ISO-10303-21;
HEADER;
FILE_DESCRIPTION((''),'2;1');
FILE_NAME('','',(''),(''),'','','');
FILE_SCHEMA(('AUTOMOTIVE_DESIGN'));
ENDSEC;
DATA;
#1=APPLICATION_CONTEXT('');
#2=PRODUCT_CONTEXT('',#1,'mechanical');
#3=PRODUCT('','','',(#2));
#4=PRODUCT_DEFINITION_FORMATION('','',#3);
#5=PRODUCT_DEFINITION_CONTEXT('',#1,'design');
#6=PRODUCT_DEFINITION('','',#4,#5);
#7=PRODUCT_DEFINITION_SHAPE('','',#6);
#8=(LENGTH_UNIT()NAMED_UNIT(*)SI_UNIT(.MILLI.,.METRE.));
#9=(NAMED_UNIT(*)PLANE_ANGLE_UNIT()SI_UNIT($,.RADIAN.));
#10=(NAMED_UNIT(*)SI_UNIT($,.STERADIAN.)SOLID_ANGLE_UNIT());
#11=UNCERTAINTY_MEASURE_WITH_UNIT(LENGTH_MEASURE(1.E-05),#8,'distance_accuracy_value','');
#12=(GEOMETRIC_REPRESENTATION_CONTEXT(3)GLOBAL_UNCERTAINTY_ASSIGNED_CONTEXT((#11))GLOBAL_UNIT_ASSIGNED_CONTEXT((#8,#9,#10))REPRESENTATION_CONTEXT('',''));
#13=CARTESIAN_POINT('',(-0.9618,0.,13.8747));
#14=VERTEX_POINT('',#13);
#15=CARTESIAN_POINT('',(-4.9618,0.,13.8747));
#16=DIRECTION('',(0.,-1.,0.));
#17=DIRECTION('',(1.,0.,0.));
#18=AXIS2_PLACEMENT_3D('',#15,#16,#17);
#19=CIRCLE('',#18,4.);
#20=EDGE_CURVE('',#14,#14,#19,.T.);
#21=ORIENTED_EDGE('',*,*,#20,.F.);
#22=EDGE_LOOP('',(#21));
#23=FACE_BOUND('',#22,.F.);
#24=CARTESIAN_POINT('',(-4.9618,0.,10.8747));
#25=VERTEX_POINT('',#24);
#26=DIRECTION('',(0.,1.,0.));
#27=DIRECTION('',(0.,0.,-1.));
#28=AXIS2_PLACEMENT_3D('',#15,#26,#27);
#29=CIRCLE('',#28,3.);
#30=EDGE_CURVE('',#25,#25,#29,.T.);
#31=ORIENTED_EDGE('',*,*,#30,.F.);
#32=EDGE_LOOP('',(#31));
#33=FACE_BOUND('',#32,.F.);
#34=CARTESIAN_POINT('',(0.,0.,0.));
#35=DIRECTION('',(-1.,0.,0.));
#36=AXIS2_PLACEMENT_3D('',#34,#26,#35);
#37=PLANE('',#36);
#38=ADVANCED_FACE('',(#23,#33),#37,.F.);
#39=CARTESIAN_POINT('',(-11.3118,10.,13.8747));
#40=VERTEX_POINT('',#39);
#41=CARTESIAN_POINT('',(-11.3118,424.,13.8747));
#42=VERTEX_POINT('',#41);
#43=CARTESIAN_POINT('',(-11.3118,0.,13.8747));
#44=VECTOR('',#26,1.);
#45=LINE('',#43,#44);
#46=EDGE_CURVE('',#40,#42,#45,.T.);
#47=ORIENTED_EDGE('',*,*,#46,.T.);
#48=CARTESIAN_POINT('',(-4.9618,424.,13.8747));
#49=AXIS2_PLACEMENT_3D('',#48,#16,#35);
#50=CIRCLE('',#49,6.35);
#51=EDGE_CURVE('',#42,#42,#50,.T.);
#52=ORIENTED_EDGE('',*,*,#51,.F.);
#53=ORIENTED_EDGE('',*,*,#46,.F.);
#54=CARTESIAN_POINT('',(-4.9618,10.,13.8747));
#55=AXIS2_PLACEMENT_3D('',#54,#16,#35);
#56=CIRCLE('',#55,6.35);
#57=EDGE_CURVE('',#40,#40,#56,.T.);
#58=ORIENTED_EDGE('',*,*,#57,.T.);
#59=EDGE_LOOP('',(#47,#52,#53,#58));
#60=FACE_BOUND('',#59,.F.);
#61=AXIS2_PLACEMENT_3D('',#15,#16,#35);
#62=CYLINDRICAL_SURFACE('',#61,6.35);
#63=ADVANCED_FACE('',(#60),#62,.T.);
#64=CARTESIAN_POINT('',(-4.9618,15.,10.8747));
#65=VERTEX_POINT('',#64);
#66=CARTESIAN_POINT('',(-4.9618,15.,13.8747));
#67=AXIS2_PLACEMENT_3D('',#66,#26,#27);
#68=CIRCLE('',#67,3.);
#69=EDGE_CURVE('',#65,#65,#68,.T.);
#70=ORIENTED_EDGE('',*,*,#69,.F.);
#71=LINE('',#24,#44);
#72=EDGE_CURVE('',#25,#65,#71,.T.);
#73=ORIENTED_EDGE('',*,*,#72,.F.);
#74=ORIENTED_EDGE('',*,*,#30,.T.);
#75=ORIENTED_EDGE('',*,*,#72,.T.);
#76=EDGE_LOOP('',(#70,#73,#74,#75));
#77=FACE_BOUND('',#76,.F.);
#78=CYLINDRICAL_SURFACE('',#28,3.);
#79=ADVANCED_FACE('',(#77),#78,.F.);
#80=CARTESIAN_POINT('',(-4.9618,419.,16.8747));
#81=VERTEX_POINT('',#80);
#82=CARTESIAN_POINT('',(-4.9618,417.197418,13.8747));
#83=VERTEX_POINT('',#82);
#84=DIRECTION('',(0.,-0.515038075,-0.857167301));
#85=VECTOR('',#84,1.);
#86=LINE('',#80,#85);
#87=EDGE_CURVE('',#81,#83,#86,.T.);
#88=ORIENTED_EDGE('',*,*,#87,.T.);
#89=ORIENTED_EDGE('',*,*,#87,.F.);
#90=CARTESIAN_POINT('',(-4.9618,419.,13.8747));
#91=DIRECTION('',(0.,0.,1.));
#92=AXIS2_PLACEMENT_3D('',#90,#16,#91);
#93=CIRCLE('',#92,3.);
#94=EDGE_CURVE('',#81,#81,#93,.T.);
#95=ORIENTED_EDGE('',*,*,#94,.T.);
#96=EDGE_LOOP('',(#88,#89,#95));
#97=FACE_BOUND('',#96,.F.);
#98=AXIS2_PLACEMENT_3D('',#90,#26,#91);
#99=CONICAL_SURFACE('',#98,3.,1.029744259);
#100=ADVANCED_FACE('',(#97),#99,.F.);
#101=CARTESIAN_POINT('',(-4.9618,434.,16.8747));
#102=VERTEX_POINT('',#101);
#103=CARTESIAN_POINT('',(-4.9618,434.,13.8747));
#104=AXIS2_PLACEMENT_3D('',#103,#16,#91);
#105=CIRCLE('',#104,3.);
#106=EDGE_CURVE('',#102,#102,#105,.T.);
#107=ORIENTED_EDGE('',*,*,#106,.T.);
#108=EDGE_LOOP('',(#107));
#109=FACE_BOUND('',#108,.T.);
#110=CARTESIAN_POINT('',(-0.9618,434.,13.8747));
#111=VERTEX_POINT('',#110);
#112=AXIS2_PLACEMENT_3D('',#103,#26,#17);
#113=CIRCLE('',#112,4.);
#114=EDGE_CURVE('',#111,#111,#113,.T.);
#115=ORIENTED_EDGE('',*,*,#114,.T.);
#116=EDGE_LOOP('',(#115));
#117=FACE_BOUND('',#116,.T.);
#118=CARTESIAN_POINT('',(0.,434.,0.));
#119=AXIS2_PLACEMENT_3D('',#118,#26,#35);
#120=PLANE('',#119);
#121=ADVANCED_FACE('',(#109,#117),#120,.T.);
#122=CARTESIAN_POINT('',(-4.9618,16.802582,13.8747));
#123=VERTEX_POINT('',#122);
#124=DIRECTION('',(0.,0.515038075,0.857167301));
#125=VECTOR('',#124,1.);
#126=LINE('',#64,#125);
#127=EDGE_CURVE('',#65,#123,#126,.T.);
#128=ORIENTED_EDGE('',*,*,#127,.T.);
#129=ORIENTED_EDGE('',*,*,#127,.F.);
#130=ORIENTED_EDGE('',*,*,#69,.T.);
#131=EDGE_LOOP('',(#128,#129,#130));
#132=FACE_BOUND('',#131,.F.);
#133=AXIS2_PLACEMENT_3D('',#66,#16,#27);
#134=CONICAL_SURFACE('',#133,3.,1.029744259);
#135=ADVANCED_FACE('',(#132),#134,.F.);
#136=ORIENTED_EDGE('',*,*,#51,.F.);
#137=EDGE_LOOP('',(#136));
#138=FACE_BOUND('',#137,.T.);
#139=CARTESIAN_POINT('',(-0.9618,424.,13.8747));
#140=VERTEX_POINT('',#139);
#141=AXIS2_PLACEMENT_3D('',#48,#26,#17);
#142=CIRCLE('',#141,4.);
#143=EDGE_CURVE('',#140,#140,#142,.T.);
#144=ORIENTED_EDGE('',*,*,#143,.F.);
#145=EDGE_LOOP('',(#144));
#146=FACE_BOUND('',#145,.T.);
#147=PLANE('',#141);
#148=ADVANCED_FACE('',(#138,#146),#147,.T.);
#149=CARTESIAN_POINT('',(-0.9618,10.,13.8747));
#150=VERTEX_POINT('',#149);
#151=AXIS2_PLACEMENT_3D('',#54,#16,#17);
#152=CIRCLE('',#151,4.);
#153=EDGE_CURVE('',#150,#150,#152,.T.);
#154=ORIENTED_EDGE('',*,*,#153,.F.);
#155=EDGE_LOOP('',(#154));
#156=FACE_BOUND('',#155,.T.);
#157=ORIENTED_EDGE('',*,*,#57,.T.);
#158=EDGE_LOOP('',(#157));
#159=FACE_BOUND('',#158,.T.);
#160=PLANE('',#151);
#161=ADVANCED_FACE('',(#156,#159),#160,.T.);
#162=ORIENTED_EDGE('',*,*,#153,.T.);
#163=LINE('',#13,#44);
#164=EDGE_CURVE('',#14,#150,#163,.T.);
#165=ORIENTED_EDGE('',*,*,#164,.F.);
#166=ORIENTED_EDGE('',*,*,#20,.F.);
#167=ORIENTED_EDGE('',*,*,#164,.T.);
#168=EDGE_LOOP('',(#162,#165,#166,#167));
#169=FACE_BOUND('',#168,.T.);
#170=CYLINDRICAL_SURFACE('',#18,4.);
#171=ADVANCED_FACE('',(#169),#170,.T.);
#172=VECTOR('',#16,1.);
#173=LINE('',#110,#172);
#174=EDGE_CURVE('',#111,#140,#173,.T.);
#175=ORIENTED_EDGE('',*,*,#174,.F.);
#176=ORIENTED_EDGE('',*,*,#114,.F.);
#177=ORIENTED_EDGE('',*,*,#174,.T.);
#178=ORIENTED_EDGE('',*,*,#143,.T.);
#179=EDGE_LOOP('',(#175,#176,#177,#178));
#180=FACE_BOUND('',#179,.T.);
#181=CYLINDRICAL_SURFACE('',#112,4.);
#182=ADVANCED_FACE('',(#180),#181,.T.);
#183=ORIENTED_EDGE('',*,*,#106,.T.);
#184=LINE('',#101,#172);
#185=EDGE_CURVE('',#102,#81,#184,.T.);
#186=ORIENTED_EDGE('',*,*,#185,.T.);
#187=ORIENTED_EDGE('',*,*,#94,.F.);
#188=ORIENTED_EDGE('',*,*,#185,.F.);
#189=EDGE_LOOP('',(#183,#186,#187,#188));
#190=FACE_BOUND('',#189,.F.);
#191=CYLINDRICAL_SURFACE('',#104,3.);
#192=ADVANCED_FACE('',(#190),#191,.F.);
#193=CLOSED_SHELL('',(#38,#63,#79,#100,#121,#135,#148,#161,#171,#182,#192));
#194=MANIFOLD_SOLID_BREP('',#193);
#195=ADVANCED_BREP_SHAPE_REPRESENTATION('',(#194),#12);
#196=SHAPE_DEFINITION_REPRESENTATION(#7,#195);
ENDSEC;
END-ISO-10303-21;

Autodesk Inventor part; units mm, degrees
ref_plane "YZ Plane" through (0, 0, 0) normal (1, 0, 0) x (0, 1, 0)
ref_plane "XZ Plane" through (0, 0, 0) normal (0, 1, 0) x (-1, 0, 0)
ref_plane "XY Plane" through (0, 0, 0) normal (0, 0, 1) x (1, 0, 0)
sketch "Boceto1" plane through (0, 0, 0) normal (0, 1, 0) x (-1, 0, 0)
  circle A0 centre (4.9618, 13.8747) radius 6.35
  dimension "d0" = 12.7
extrude "Extrusión1" add sketch "Boceto1" along normal blind 434
sketch "Boceto2" plane through (-4.9618, 434, 13.8747) normal (0, 1, 0) x (1, 0, 0)
  circle A0 centre (0, 0) radius 3
  point P0 (4.9618, 13.8747)
  dimension "d3" = 6
hole "Agujero1" at (-4.9618, 434, 13.8747) direction (0, -1, 0) diameter 6 depth 15 tip angle 118
sketch "Boceto3" plane through (-4.9618, 0, 13.8747) normal (0, -1, 0) x (1, 0, 0)
  circle A0 centre (0, 0) radius 3
  point P0 (4.9618, -13.8747)
  dimension "d11" = 6
hole "Agujero2" at (-4.9618, 0, 13.8747) direction (0, 1, 0) diameter 6 depth 15 tip angle 118
thread "Thread1" size "M6x1" class "6H" standard "ANSI Metric M Profile" length 40
thread "Thread2" size "M6x1" class "6H" standard "ANSI Metric M Profile" length 40
sketch "Boceto4" plane through (-4.9618, 434, 13.8747) normal (0, 1, 0) x (1, 0, 0)
  circle A0 centre (0, 0) radius 4
  circle A1 centre (0, 0) radius 7
  dimension "d23" = 8
  dimension "d30" = 14
sketch "Boceto5" plane through (-4.9618, 0, 13.8747) normal (0, -1, 0) x (1, 0, 0)
  circle A0 centre (0, 0) radius 4
  circle A1 centre (0, 0) radius 6.5
  dimension "d24" = 8
  dimension "d29" = 13
extrude "Extrusión2" cut sketch "Boceto5" against normal blind 10
extrude "Extrusión3" cut sketch "Boceto4" against normal blind 10
properties part number "Guias de mesa" material "Steel, High Strength, Low Alloy"
